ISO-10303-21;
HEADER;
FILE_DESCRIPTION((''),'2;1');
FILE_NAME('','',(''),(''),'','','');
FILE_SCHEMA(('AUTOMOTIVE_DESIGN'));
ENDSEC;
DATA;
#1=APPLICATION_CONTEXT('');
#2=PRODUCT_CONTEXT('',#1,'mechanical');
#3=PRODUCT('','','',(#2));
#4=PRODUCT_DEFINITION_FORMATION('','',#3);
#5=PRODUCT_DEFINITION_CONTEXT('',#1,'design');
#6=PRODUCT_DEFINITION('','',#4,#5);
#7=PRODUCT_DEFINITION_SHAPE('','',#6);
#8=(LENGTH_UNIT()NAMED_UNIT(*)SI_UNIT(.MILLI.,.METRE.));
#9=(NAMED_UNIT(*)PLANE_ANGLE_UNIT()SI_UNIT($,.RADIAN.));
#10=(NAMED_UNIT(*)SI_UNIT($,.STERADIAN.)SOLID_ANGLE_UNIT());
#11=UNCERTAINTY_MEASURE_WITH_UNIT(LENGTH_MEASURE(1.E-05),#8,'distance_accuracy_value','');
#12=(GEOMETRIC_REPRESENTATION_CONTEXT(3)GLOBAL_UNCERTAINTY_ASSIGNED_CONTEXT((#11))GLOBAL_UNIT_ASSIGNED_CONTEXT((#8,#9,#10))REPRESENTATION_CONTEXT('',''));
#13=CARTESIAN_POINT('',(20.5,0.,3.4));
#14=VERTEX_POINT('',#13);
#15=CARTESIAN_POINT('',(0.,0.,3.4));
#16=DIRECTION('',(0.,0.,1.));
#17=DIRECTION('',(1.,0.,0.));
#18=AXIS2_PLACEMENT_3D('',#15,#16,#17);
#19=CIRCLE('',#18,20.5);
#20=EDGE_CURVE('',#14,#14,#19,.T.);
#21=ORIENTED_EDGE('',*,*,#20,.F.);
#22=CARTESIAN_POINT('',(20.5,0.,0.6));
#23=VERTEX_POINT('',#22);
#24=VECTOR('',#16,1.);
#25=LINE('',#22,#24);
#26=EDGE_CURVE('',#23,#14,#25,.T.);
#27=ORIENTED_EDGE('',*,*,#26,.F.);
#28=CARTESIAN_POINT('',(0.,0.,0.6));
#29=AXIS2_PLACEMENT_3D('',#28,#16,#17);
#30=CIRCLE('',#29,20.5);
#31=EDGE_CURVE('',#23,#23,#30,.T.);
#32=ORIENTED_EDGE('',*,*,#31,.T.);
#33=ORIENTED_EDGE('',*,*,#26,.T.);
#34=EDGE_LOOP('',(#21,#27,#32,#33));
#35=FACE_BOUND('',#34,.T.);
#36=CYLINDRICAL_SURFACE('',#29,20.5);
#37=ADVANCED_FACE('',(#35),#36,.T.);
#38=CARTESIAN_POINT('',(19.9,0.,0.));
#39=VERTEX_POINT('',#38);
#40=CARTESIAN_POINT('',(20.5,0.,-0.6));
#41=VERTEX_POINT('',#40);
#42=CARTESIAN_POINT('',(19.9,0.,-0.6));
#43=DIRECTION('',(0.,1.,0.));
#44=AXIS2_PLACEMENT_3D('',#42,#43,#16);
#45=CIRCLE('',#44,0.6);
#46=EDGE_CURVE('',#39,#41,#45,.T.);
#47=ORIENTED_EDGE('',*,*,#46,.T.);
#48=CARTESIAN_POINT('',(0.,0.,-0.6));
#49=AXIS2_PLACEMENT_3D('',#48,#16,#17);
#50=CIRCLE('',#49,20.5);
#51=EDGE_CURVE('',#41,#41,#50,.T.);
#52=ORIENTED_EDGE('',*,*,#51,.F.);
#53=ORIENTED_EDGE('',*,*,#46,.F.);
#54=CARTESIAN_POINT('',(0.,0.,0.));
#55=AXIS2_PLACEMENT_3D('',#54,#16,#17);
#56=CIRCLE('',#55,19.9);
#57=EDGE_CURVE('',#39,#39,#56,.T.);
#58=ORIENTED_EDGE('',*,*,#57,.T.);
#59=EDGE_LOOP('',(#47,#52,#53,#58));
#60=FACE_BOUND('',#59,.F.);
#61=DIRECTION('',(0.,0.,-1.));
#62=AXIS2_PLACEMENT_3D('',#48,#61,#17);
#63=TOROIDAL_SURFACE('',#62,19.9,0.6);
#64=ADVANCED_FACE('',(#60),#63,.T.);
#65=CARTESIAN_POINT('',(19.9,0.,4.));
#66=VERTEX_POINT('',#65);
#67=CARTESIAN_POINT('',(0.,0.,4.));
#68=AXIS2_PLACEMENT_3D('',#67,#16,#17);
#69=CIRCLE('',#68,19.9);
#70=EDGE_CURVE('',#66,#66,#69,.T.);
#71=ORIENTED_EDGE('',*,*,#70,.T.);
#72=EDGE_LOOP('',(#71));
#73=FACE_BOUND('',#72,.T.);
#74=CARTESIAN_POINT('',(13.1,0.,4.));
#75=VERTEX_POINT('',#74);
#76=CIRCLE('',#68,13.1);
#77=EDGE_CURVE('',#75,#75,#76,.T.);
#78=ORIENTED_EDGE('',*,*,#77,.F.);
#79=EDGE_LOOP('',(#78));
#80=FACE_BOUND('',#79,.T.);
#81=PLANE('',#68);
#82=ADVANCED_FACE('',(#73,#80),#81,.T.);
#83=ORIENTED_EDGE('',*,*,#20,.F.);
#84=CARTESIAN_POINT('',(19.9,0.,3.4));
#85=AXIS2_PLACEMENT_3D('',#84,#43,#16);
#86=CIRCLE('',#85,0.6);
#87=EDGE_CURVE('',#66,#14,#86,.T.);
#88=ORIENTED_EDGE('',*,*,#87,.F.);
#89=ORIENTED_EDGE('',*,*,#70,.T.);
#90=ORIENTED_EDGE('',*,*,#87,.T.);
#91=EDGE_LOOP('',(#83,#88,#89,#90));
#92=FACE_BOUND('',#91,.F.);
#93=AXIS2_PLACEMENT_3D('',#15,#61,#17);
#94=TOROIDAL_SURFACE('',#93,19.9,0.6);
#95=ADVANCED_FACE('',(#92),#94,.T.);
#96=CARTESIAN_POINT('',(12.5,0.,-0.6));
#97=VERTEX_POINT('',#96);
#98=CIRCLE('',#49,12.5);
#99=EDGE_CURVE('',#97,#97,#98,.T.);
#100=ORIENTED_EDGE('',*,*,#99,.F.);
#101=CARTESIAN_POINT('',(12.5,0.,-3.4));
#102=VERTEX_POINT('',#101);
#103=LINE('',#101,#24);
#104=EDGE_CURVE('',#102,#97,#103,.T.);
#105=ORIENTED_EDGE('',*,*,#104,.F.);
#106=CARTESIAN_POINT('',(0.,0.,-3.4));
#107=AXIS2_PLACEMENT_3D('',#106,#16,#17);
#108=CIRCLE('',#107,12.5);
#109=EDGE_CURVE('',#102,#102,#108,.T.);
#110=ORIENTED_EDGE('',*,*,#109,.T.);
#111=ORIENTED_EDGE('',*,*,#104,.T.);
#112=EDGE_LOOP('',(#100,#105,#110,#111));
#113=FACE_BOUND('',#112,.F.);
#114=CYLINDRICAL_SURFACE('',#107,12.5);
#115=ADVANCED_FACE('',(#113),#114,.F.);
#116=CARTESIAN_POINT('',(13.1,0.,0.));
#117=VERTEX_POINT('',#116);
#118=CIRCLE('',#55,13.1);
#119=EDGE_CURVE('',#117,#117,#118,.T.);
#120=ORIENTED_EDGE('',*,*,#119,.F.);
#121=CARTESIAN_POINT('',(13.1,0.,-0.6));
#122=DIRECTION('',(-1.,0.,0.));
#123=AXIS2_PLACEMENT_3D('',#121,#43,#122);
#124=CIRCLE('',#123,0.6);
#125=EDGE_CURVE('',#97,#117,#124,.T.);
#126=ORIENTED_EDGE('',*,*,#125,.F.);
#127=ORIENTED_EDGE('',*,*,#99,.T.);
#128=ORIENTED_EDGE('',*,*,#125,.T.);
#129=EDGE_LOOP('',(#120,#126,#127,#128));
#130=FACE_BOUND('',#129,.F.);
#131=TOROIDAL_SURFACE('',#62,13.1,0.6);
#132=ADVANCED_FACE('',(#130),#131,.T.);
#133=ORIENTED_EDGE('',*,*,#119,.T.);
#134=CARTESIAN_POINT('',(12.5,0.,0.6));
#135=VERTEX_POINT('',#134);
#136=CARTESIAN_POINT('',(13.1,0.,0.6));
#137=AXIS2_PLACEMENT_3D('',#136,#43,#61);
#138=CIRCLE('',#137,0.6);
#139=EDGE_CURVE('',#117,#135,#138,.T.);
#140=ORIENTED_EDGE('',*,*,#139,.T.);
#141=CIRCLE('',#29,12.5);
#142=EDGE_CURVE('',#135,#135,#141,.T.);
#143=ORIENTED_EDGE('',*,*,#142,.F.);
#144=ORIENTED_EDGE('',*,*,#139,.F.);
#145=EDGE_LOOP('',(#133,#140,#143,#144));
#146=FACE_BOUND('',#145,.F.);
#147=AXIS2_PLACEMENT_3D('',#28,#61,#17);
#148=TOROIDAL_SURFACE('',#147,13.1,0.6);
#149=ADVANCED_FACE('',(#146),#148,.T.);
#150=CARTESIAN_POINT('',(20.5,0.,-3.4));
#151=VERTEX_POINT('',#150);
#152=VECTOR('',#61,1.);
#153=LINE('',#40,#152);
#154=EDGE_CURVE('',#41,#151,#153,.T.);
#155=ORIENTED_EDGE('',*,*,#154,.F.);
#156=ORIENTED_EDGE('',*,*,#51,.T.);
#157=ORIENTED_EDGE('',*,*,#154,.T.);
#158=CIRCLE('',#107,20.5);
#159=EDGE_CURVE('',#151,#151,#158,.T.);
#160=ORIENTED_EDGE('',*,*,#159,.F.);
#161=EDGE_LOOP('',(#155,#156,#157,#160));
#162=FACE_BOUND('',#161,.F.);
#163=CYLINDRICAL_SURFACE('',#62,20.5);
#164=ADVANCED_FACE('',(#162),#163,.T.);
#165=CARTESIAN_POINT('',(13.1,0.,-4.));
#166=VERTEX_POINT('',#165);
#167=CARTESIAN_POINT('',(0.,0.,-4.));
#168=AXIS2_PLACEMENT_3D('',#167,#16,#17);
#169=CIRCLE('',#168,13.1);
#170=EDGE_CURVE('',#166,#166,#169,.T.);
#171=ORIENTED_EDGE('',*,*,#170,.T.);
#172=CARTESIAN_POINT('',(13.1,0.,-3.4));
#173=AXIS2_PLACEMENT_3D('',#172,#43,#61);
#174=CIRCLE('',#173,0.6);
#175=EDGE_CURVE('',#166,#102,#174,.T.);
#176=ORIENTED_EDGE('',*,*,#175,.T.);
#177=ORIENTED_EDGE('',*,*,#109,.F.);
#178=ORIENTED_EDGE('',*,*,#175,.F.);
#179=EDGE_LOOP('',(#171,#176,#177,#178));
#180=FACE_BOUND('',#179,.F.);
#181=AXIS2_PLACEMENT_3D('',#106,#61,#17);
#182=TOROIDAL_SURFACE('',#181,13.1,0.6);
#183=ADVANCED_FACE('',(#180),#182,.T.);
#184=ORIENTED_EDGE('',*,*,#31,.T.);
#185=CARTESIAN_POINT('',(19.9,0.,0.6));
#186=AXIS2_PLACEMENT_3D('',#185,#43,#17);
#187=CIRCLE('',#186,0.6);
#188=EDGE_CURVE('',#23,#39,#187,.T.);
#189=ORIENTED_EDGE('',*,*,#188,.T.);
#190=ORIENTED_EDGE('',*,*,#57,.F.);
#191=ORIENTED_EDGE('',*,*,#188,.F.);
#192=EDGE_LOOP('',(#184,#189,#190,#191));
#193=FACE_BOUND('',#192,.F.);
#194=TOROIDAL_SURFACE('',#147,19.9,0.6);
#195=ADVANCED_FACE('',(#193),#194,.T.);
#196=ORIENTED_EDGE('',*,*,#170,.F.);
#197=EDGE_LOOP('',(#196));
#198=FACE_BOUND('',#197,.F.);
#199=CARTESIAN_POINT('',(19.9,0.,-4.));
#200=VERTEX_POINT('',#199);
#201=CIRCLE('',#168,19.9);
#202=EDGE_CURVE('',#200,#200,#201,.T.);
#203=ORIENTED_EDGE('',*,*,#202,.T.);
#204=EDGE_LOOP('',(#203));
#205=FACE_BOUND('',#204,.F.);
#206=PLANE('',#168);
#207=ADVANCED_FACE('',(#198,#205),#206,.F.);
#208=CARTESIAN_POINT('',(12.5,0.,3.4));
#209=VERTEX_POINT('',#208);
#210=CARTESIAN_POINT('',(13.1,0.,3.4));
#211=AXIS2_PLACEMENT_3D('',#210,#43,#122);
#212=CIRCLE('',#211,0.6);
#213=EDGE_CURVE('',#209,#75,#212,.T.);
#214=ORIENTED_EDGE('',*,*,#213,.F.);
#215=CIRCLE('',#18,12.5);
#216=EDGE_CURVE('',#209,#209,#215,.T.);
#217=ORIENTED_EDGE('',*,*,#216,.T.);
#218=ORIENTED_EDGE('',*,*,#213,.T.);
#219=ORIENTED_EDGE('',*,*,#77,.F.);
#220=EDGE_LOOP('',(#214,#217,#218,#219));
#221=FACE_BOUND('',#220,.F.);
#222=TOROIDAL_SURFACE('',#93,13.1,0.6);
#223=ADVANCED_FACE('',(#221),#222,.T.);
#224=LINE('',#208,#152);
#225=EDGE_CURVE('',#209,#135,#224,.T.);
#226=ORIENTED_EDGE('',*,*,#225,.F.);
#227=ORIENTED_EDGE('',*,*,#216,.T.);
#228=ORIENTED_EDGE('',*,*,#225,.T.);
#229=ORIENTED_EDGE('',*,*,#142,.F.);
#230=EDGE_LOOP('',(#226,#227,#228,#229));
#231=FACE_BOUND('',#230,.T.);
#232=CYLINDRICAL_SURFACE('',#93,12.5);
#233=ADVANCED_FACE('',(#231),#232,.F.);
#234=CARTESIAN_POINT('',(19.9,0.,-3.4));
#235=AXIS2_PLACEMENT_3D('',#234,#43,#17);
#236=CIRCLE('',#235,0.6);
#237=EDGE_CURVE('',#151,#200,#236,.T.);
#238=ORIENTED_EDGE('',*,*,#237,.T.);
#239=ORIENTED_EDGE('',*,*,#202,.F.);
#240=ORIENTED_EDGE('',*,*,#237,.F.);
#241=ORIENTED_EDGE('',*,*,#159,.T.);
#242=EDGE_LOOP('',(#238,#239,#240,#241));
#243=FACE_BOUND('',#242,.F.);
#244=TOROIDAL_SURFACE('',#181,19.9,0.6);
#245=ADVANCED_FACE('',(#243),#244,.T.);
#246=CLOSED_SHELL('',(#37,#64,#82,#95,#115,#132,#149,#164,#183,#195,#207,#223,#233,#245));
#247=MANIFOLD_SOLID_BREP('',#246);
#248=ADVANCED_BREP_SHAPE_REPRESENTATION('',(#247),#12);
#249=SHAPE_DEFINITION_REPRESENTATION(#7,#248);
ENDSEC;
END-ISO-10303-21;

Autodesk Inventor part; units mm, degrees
ref_plane "YZ Plane" through (0, 0, 0) normal (1, 0, 0) x (0, 1, 0)
ref_plane "XZ Plane" through (0, 0, 0) normal (0, 1, 0) x (-1, 0, 0)
ref_plane "XY Plane" through (0, 0, 0) normal (0, 0, 1) x (1, 0, 0)
sketch "スケッチ1" plane through (0, 0, 0) normal (0, 1, 0) x (-1, 0, 0)
  line L0 (-19.9, 4) -> (-13.1, 4)
  line L1 (-12.5, 3.4) -> (-12.5, 0.6)
  line L2 (-13.1, 0) -> (-19.9, 0) construction
  line L3 (-20.5, 0.6) -> (-20.5, 3.4)
  line L4 (-20.5, 4) -> (-12.5, 0) construction
  line L5 (-12.5, 4) -> (-20.5, 0) construction
  arc A0 (-19.9, 4) -> (-20.5, 3.4) centre (-19.9, 3.4) ccw
  arc A1 (-20.5, 0.6) -> (-19.9, 0) centre (-19.9, 0.6) ccw
  arc A2 (-13.1, 0) -> (-12.5, 0.6) centre (-13.1, 0.6) ccw
  arc A3 (-12.5, 3.4) -> (-13.1, 4) centre (-13.1, 3.4) ccw
  line L6 (-19.9, -4) -> (-13.1, -4)
  line L7 (-12.5, -3.4) -> (-12.5, -0.6)
  line L8 (-20.5, -0.6) -> (-20.5, -3.4)
  arc A4 (-19.9, 0) -> (-20.5, -0.6) centre (-19.9, -0.6) ccw
  arc A5 (-12.5, -0.6) -> (-13.1, 0) centre (-13.1, -0.6) ccw
  arc A6 (-13.1, -4) -> (-12.5, -3.4) centre (-13.1, -3.4) ccw
  arc A7 (-20.5, -3.4) -> (-19.9, -4) centre (-19.9, -3.4) ccw
  line L9 (0, -5.774) -> (0, 5.774) projected
  point P0 (0, 0)
  point P1 (-16.5, 2)
  dimension "d0" = 0.6
  dimension "d1" = 8
  dimension "d2" = 25
  dimension "d3" = 41
revolve "回転1" add sketch "スケッチ1" angle 360 about axis through (0, 0, -10) along (0, 0, 1)
properties part number "CRBA02508WWC8P5" material "ステンレス鋼 AISI 304"
